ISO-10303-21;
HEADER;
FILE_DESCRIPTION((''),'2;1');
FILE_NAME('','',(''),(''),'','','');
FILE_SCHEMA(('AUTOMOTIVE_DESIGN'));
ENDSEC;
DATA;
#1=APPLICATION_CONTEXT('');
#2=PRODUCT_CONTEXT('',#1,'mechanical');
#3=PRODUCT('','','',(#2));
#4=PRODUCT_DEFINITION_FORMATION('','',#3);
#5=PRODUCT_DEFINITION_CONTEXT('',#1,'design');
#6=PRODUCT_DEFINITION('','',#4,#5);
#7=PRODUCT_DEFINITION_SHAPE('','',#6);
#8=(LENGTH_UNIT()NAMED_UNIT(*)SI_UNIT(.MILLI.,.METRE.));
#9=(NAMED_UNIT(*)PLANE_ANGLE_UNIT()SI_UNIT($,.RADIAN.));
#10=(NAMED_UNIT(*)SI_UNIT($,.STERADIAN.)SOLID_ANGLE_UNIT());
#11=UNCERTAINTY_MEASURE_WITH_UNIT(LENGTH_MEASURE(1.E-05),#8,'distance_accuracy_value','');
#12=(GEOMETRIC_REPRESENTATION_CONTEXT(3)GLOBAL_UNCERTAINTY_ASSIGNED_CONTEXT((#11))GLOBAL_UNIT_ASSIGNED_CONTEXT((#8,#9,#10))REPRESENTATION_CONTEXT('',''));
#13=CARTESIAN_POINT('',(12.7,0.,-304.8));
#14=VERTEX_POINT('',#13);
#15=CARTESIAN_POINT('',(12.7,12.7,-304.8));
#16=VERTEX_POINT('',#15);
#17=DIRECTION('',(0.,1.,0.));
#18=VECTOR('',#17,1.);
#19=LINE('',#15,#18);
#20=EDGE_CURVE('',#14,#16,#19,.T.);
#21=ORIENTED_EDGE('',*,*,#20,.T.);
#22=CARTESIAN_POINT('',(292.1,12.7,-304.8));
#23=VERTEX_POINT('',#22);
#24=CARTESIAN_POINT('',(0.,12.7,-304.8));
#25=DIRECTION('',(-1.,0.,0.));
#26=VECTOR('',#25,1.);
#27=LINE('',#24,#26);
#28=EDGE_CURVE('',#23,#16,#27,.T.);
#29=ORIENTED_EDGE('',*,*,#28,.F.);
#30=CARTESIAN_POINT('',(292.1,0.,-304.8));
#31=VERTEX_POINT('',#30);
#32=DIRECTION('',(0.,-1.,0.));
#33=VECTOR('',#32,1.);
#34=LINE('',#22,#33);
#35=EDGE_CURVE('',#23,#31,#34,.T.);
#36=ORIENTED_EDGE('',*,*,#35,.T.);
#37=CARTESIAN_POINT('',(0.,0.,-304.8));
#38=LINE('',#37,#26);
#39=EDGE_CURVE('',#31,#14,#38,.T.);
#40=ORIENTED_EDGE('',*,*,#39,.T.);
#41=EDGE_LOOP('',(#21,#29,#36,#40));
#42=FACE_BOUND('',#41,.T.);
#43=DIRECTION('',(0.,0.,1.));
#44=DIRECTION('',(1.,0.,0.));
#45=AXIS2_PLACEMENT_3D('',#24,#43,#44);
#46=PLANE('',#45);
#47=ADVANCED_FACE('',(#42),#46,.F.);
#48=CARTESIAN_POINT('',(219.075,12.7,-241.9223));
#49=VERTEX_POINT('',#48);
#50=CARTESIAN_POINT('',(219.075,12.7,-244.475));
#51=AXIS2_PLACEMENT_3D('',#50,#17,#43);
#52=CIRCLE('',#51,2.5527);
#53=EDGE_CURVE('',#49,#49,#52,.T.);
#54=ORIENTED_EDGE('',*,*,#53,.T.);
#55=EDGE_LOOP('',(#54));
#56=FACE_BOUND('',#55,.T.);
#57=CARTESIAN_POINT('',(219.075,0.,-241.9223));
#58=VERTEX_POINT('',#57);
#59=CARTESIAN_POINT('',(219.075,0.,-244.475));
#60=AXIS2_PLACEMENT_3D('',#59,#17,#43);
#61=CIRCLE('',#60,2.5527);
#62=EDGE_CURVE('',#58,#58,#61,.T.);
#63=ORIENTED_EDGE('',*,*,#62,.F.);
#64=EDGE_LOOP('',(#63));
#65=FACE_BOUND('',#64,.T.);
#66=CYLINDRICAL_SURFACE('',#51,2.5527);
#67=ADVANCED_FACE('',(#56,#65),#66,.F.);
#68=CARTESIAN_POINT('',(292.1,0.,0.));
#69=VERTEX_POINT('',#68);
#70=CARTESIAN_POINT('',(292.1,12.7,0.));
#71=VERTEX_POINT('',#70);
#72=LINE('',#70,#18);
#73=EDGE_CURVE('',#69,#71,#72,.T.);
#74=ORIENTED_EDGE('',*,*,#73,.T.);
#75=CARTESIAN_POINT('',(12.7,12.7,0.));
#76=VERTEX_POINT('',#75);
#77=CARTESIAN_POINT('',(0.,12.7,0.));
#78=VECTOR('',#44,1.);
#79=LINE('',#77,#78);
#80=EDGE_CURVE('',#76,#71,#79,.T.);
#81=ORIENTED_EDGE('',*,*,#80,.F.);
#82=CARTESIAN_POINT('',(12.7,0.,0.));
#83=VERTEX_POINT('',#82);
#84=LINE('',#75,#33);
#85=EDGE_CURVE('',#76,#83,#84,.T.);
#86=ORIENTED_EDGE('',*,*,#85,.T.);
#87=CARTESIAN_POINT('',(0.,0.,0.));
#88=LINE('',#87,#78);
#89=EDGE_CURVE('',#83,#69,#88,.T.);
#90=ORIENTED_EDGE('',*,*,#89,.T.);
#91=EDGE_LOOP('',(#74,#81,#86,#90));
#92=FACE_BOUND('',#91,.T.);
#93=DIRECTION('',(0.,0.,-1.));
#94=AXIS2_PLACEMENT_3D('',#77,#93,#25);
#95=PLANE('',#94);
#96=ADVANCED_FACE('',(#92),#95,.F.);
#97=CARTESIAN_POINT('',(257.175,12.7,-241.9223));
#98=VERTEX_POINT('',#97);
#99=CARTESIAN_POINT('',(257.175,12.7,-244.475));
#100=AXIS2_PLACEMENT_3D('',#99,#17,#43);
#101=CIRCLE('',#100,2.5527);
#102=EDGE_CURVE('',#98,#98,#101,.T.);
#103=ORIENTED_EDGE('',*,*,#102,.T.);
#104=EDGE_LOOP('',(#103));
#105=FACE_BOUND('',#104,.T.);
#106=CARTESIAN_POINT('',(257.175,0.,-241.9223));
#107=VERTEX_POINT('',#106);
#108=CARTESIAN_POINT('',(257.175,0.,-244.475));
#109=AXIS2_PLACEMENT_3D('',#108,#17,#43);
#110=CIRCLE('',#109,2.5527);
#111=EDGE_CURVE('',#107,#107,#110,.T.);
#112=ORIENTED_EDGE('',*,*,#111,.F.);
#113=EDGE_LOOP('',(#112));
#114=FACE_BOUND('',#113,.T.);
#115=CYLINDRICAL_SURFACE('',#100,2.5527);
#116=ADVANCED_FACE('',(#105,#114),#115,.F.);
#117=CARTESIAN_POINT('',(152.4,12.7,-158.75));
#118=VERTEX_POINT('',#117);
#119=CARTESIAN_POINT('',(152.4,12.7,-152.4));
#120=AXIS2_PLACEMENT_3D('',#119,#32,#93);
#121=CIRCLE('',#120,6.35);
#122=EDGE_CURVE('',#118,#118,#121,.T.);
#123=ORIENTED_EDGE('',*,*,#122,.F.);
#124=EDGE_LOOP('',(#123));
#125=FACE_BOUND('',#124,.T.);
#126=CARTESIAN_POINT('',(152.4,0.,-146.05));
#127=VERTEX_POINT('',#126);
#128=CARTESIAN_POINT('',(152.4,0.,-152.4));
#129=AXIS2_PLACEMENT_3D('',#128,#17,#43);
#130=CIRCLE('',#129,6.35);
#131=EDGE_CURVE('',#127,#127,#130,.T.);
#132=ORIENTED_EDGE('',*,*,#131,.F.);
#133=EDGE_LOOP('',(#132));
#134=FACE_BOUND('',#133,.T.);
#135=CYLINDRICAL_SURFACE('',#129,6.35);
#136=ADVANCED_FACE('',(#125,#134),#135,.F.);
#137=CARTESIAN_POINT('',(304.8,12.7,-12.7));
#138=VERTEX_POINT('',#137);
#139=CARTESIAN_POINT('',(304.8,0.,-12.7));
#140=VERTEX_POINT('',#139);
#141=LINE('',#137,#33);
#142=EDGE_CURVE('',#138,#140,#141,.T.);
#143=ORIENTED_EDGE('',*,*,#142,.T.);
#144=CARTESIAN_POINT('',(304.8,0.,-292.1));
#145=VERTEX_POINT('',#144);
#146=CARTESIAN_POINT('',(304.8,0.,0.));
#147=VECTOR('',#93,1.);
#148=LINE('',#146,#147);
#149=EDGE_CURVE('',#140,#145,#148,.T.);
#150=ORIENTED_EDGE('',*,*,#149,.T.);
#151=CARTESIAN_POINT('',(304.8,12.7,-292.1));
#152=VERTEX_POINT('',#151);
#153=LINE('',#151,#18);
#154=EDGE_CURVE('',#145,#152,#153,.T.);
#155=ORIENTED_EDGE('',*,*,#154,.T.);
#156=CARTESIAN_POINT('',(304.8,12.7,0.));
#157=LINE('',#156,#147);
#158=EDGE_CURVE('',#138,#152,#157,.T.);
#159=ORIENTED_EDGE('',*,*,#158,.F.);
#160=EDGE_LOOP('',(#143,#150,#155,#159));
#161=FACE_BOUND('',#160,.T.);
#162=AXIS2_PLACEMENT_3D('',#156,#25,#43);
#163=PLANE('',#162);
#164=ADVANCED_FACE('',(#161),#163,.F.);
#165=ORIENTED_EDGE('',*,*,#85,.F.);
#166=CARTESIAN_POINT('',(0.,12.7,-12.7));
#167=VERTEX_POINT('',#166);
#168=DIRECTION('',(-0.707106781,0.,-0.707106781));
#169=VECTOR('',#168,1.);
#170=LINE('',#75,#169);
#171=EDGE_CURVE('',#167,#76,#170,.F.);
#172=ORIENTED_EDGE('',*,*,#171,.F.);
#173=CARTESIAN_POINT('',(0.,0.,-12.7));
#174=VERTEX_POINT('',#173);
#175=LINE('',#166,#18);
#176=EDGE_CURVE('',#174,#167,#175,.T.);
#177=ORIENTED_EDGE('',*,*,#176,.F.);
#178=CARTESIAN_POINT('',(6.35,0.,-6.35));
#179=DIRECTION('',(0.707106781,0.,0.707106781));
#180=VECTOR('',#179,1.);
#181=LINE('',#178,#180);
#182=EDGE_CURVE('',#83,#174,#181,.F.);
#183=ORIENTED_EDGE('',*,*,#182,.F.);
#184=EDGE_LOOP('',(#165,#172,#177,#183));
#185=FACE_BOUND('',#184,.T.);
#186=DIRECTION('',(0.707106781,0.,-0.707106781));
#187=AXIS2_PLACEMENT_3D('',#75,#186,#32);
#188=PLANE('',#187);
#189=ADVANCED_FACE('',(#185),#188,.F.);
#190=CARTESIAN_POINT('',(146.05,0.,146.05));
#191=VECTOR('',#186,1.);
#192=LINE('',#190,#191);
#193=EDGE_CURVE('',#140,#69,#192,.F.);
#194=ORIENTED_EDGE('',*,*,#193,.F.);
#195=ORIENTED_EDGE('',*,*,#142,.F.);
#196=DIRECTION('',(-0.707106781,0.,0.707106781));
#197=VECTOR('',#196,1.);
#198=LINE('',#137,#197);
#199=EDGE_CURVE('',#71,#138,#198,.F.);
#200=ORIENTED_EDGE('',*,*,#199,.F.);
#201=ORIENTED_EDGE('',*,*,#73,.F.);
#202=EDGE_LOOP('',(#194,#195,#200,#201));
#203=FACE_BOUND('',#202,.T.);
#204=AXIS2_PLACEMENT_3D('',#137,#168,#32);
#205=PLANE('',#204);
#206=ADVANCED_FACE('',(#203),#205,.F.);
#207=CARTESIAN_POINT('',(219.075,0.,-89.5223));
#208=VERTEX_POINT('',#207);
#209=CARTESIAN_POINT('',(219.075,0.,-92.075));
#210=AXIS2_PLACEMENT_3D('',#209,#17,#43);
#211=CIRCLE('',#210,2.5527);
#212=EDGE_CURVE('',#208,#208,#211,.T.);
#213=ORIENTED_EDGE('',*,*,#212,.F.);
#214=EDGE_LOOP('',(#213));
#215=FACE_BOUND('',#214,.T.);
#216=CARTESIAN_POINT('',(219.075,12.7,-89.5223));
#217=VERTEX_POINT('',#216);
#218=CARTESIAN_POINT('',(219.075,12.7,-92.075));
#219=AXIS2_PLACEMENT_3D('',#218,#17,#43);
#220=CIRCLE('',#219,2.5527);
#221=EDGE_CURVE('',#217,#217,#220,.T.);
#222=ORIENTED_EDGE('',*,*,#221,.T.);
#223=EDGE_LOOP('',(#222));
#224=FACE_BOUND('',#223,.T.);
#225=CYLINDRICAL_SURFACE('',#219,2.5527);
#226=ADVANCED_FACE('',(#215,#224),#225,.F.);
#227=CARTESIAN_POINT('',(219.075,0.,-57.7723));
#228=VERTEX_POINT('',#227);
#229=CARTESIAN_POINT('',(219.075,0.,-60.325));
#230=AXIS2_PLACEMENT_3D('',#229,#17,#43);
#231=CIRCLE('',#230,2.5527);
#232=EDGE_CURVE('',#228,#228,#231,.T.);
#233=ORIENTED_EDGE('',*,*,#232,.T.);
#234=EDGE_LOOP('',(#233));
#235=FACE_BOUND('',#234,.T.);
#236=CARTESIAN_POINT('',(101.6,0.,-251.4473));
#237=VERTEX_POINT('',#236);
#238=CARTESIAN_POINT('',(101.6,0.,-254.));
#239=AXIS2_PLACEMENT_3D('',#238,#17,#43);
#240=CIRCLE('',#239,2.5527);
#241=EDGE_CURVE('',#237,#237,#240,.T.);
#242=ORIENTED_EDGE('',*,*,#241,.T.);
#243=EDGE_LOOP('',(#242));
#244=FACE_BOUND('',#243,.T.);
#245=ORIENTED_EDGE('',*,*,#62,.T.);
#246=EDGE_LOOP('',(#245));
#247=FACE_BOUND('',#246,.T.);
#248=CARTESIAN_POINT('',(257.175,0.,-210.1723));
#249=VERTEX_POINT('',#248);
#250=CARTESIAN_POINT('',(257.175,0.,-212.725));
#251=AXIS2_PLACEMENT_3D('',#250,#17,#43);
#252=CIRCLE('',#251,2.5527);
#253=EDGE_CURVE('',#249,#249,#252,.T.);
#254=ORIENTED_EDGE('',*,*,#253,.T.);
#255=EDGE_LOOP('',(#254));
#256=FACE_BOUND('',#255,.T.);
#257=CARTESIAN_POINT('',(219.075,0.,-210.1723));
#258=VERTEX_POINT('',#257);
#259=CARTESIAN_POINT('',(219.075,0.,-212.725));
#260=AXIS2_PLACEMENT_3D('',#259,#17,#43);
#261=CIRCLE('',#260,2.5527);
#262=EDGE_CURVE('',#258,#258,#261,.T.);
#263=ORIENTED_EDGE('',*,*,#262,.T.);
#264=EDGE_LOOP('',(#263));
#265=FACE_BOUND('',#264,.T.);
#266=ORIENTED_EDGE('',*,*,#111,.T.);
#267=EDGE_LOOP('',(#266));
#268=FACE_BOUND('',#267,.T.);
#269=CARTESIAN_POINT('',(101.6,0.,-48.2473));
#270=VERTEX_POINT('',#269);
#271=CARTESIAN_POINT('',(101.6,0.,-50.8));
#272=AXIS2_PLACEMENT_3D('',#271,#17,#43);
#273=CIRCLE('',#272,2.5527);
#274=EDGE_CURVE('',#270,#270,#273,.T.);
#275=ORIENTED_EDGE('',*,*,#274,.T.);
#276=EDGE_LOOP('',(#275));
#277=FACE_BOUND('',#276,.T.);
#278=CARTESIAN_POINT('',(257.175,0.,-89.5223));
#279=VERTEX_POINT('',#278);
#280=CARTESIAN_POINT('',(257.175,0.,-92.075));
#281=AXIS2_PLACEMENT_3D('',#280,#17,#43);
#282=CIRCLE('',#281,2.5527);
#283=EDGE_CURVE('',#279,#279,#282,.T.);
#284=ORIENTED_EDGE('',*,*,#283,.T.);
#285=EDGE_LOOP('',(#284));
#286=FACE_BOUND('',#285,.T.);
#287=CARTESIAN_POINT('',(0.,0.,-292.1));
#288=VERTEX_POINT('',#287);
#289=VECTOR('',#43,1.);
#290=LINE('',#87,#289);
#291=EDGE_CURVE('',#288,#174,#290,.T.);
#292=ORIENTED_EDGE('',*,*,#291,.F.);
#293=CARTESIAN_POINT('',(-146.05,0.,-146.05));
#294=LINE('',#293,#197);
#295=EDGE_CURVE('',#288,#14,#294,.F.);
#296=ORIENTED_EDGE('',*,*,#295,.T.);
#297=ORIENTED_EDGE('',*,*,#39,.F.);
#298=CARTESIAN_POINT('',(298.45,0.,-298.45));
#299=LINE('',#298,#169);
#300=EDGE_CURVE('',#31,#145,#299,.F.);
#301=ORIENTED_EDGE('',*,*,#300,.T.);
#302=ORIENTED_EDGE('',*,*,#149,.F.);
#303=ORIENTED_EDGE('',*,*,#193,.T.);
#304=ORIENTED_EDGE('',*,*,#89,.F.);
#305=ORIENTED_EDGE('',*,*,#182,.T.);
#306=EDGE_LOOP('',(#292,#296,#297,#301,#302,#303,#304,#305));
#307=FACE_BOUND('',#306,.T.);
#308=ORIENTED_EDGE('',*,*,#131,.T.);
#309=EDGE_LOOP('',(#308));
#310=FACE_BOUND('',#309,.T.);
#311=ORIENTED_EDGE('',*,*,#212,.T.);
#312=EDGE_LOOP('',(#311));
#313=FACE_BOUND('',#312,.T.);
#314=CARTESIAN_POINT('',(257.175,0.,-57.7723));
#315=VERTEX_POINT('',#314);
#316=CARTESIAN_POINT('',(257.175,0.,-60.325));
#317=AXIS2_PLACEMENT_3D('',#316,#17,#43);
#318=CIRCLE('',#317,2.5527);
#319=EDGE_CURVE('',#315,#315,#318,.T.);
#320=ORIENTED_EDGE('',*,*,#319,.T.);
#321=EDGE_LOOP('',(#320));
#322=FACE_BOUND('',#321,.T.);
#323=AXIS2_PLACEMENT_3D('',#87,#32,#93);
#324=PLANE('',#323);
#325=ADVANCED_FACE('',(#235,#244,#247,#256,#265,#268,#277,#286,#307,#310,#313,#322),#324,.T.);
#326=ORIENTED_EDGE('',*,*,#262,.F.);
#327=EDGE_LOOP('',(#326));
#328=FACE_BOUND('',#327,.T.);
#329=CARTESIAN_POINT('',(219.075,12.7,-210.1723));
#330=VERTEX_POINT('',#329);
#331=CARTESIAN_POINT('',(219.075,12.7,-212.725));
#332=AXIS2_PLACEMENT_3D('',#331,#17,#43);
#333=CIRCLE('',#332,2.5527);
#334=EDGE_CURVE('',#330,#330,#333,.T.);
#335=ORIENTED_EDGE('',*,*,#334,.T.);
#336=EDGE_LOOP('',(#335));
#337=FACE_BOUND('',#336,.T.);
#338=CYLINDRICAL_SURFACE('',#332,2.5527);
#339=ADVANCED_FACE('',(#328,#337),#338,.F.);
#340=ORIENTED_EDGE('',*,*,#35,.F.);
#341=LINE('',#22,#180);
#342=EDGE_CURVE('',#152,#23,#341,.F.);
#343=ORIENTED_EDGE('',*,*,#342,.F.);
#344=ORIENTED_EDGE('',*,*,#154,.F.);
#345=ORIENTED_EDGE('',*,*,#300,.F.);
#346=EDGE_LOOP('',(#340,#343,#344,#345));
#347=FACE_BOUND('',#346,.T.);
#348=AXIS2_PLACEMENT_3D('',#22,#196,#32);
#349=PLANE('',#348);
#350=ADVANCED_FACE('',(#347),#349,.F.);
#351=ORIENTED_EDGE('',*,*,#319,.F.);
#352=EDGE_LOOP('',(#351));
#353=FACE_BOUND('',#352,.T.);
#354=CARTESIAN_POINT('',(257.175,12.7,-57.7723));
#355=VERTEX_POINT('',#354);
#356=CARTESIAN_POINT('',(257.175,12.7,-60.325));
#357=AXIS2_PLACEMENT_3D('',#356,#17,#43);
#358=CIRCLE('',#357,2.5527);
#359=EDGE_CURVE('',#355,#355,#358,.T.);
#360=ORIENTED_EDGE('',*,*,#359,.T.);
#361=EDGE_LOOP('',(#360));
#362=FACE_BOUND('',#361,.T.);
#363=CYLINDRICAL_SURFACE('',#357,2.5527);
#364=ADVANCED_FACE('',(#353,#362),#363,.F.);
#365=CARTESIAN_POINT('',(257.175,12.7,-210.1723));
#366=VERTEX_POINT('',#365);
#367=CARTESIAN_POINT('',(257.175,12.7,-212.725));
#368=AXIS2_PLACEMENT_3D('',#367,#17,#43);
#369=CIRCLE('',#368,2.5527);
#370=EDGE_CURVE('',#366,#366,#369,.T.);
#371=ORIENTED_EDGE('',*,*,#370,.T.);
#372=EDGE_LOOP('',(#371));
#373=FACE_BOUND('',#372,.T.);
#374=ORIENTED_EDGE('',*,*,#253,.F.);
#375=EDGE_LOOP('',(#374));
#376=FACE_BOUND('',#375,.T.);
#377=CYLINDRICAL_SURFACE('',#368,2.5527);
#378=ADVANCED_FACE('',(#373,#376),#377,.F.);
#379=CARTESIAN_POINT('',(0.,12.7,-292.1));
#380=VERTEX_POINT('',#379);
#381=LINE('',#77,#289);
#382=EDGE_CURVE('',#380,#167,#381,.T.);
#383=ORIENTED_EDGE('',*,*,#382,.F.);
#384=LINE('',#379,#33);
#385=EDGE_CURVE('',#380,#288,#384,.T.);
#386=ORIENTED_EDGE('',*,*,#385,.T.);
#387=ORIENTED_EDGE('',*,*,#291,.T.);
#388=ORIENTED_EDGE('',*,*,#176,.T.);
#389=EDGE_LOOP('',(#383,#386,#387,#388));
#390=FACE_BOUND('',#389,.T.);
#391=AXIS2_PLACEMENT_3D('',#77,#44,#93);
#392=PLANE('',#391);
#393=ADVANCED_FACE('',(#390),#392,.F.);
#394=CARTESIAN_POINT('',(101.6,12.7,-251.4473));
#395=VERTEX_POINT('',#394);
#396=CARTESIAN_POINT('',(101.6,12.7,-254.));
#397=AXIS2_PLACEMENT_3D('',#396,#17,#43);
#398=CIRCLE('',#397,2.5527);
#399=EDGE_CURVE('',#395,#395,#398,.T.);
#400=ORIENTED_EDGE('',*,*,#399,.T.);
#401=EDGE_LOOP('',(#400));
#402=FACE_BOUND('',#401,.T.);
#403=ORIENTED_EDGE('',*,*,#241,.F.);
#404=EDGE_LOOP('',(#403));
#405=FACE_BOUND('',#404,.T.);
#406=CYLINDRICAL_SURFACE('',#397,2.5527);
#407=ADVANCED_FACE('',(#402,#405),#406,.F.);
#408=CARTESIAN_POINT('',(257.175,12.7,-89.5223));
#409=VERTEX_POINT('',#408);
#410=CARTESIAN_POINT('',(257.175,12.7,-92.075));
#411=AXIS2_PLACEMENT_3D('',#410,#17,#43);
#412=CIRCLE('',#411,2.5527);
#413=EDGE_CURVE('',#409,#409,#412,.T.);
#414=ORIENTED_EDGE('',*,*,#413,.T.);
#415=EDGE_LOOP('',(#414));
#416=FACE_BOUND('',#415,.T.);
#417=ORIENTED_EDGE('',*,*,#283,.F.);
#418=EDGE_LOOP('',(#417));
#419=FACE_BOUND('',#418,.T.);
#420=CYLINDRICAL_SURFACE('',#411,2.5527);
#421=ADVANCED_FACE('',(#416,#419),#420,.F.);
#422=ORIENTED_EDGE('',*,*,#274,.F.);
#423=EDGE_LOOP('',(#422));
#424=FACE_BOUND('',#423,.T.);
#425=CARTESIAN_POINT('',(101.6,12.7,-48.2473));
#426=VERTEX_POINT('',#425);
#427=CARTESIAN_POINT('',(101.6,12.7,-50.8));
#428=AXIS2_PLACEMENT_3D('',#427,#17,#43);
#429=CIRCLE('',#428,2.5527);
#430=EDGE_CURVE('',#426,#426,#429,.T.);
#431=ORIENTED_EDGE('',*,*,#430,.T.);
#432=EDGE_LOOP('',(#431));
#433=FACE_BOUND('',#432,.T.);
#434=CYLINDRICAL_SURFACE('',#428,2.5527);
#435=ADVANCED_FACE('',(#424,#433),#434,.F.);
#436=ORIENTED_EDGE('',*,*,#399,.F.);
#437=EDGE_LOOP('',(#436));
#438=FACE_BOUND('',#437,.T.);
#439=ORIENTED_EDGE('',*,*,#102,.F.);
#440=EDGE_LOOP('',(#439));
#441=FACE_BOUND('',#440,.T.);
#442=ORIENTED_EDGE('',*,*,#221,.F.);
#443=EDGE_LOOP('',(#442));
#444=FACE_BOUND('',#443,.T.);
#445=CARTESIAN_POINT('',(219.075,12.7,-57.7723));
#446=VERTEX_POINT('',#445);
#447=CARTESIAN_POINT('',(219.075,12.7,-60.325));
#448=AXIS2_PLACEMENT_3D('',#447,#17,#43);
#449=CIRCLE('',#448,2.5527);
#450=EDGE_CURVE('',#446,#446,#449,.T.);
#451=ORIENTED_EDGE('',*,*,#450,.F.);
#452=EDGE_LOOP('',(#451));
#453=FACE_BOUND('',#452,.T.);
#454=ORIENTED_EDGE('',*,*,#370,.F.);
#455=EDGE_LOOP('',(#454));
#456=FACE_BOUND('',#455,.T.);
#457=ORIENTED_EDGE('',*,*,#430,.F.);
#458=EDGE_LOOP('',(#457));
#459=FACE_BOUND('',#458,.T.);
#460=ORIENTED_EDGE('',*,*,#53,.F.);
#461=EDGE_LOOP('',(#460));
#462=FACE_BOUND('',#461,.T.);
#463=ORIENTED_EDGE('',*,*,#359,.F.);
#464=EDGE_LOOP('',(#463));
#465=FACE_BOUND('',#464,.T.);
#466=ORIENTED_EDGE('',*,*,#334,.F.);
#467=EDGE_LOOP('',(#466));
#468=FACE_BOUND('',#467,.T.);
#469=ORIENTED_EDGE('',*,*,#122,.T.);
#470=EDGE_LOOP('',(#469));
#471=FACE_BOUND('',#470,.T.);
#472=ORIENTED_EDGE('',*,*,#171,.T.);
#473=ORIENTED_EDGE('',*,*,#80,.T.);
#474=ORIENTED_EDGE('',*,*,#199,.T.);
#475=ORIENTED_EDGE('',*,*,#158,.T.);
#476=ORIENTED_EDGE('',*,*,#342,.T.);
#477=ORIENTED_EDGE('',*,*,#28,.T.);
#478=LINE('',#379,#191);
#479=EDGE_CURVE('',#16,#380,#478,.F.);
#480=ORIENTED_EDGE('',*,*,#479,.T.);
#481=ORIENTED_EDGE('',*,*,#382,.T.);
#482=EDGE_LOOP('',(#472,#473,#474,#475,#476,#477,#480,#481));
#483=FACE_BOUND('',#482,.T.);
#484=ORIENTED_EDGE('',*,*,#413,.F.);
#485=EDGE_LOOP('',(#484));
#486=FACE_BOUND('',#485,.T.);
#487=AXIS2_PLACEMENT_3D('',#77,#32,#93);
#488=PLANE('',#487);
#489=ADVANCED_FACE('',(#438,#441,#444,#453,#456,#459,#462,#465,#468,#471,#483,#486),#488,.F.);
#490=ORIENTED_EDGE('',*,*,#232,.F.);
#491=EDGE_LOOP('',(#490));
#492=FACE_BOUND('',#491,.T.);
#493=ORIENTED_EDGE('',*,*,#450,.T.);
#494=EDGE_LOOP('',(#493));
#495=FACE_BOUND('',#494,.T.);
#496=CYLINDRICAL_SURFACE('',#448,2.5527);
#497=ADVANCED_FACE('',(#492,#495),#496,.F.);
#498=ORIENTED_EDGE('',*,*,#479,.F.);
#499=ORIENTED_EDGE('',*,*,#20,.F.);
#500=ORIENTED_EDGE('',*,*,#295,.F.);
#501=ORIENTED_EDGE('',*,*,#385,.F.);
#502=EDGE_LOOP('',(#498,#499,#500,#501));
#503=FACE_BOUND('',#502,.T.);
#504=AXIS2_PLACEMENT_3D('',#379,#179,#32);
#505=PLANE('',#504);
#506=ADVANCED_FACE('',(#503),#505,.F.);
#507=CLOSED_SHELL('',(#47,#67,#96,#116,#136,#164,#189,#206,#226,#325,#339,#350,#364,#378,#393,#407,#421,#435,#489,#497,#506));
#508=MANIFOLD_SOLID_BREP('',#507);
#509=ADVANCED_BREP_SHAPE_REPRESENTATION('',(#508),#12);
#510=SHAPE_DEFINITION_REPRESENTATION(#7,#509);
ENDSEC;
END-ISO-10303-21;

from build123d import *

# Parameters (mm, degrees)
SKETCH1_W               = 304.8
SKETCH1_H               = 304.8
BOSS_EXTRUDE1_DEPTH     = 12.7
CHAMFER1_SIZE           = 12.7
F_1_4_20_TAPPED_HOLE1_D = 5.1054
CUT_EXTRUDE1_DEPTH      = 432.239341897
CUT_EXTRUDE1_DEPTH_BACK = 432.239341897
SKETCH4_R               = 6.35
F_1_4_20_TAPPED_HOLE2_D = 5.1054


with BuildPart() as part:
    # Sketch1 → Boss-Extrude1 (new body)
    with BuildSketch(Plane(origin=(0, 0, 0), x_dir=(1, 0, 0), z_dir=(0, 1, 0))):
        with Locations((152.4, 152.4)):
            Rectangle(SKETCH1_W, SKETCH1_H)
    extrude(amount=BOSS_EXTRUDE1_DEPTH)

    # Chamfer1
    chamfer1_edges = [part.edges().sort_by_distance(p)[0] for p in [
        (0, 6.35, -304.8),
        (304.8, 6.35, -304.8),
        (304.8, 6.35, 0),
        (0, 6.35, 0),
    ]]
    chamfer(chamfer1_edges, length=CHAMFER1_SIZE)

    # 1/4-20 Tapped Hole1 (through all)
    with Locations(Plane(origin=(0, 12.7, 0), x_dir=(1, 0, 0), z_dir=(0, 1, 0))):
        with Locations((101.6, 50.8), (101.6, 254)):
            Hole(F_1_4_20_TAPPED_HOLE1_D / 2)

    # Sketch4 → Cut-Extrude1 (cut, two sides: drawn at the far end of the back side and taken through both)
    with BuildSketch(Plane(origin=(0, 12.7, 0), x_dir=(1, 0, 0), z_dir=(0, 1, 0)).offset(-CUT_EXTRUDE1_DEPTH_BACK)):
        with Locations(Location((152.4, 152.4, 0), (0, 0, 270))):
            Circle(SKETCH4_R)
    extrude(amount=CUT_EXTRUDE1_DEPTH + CUT_EXTRUDE1_DEPTH_BACK, mode=Mode.SUBTRACT)

    # 1/4-20 Tapped Hole2 (through all)
    with Locations(Plane(origin=(0, 12.7, 0), x_dir=(1, 0, 0), z_dir=(0, 1, 0))):
        with Locations((257.175, 244.475), (219.075, 244.475), (257.175, 212.725), (219.075, 212.725), (257.175, 92.075), (219.075, 92.075), (257.175, 60.325), (219.075, 60.325)):
            Hole(F_1_4_20_TAPPED_HOLE2_D / 2)


solid = part.part
